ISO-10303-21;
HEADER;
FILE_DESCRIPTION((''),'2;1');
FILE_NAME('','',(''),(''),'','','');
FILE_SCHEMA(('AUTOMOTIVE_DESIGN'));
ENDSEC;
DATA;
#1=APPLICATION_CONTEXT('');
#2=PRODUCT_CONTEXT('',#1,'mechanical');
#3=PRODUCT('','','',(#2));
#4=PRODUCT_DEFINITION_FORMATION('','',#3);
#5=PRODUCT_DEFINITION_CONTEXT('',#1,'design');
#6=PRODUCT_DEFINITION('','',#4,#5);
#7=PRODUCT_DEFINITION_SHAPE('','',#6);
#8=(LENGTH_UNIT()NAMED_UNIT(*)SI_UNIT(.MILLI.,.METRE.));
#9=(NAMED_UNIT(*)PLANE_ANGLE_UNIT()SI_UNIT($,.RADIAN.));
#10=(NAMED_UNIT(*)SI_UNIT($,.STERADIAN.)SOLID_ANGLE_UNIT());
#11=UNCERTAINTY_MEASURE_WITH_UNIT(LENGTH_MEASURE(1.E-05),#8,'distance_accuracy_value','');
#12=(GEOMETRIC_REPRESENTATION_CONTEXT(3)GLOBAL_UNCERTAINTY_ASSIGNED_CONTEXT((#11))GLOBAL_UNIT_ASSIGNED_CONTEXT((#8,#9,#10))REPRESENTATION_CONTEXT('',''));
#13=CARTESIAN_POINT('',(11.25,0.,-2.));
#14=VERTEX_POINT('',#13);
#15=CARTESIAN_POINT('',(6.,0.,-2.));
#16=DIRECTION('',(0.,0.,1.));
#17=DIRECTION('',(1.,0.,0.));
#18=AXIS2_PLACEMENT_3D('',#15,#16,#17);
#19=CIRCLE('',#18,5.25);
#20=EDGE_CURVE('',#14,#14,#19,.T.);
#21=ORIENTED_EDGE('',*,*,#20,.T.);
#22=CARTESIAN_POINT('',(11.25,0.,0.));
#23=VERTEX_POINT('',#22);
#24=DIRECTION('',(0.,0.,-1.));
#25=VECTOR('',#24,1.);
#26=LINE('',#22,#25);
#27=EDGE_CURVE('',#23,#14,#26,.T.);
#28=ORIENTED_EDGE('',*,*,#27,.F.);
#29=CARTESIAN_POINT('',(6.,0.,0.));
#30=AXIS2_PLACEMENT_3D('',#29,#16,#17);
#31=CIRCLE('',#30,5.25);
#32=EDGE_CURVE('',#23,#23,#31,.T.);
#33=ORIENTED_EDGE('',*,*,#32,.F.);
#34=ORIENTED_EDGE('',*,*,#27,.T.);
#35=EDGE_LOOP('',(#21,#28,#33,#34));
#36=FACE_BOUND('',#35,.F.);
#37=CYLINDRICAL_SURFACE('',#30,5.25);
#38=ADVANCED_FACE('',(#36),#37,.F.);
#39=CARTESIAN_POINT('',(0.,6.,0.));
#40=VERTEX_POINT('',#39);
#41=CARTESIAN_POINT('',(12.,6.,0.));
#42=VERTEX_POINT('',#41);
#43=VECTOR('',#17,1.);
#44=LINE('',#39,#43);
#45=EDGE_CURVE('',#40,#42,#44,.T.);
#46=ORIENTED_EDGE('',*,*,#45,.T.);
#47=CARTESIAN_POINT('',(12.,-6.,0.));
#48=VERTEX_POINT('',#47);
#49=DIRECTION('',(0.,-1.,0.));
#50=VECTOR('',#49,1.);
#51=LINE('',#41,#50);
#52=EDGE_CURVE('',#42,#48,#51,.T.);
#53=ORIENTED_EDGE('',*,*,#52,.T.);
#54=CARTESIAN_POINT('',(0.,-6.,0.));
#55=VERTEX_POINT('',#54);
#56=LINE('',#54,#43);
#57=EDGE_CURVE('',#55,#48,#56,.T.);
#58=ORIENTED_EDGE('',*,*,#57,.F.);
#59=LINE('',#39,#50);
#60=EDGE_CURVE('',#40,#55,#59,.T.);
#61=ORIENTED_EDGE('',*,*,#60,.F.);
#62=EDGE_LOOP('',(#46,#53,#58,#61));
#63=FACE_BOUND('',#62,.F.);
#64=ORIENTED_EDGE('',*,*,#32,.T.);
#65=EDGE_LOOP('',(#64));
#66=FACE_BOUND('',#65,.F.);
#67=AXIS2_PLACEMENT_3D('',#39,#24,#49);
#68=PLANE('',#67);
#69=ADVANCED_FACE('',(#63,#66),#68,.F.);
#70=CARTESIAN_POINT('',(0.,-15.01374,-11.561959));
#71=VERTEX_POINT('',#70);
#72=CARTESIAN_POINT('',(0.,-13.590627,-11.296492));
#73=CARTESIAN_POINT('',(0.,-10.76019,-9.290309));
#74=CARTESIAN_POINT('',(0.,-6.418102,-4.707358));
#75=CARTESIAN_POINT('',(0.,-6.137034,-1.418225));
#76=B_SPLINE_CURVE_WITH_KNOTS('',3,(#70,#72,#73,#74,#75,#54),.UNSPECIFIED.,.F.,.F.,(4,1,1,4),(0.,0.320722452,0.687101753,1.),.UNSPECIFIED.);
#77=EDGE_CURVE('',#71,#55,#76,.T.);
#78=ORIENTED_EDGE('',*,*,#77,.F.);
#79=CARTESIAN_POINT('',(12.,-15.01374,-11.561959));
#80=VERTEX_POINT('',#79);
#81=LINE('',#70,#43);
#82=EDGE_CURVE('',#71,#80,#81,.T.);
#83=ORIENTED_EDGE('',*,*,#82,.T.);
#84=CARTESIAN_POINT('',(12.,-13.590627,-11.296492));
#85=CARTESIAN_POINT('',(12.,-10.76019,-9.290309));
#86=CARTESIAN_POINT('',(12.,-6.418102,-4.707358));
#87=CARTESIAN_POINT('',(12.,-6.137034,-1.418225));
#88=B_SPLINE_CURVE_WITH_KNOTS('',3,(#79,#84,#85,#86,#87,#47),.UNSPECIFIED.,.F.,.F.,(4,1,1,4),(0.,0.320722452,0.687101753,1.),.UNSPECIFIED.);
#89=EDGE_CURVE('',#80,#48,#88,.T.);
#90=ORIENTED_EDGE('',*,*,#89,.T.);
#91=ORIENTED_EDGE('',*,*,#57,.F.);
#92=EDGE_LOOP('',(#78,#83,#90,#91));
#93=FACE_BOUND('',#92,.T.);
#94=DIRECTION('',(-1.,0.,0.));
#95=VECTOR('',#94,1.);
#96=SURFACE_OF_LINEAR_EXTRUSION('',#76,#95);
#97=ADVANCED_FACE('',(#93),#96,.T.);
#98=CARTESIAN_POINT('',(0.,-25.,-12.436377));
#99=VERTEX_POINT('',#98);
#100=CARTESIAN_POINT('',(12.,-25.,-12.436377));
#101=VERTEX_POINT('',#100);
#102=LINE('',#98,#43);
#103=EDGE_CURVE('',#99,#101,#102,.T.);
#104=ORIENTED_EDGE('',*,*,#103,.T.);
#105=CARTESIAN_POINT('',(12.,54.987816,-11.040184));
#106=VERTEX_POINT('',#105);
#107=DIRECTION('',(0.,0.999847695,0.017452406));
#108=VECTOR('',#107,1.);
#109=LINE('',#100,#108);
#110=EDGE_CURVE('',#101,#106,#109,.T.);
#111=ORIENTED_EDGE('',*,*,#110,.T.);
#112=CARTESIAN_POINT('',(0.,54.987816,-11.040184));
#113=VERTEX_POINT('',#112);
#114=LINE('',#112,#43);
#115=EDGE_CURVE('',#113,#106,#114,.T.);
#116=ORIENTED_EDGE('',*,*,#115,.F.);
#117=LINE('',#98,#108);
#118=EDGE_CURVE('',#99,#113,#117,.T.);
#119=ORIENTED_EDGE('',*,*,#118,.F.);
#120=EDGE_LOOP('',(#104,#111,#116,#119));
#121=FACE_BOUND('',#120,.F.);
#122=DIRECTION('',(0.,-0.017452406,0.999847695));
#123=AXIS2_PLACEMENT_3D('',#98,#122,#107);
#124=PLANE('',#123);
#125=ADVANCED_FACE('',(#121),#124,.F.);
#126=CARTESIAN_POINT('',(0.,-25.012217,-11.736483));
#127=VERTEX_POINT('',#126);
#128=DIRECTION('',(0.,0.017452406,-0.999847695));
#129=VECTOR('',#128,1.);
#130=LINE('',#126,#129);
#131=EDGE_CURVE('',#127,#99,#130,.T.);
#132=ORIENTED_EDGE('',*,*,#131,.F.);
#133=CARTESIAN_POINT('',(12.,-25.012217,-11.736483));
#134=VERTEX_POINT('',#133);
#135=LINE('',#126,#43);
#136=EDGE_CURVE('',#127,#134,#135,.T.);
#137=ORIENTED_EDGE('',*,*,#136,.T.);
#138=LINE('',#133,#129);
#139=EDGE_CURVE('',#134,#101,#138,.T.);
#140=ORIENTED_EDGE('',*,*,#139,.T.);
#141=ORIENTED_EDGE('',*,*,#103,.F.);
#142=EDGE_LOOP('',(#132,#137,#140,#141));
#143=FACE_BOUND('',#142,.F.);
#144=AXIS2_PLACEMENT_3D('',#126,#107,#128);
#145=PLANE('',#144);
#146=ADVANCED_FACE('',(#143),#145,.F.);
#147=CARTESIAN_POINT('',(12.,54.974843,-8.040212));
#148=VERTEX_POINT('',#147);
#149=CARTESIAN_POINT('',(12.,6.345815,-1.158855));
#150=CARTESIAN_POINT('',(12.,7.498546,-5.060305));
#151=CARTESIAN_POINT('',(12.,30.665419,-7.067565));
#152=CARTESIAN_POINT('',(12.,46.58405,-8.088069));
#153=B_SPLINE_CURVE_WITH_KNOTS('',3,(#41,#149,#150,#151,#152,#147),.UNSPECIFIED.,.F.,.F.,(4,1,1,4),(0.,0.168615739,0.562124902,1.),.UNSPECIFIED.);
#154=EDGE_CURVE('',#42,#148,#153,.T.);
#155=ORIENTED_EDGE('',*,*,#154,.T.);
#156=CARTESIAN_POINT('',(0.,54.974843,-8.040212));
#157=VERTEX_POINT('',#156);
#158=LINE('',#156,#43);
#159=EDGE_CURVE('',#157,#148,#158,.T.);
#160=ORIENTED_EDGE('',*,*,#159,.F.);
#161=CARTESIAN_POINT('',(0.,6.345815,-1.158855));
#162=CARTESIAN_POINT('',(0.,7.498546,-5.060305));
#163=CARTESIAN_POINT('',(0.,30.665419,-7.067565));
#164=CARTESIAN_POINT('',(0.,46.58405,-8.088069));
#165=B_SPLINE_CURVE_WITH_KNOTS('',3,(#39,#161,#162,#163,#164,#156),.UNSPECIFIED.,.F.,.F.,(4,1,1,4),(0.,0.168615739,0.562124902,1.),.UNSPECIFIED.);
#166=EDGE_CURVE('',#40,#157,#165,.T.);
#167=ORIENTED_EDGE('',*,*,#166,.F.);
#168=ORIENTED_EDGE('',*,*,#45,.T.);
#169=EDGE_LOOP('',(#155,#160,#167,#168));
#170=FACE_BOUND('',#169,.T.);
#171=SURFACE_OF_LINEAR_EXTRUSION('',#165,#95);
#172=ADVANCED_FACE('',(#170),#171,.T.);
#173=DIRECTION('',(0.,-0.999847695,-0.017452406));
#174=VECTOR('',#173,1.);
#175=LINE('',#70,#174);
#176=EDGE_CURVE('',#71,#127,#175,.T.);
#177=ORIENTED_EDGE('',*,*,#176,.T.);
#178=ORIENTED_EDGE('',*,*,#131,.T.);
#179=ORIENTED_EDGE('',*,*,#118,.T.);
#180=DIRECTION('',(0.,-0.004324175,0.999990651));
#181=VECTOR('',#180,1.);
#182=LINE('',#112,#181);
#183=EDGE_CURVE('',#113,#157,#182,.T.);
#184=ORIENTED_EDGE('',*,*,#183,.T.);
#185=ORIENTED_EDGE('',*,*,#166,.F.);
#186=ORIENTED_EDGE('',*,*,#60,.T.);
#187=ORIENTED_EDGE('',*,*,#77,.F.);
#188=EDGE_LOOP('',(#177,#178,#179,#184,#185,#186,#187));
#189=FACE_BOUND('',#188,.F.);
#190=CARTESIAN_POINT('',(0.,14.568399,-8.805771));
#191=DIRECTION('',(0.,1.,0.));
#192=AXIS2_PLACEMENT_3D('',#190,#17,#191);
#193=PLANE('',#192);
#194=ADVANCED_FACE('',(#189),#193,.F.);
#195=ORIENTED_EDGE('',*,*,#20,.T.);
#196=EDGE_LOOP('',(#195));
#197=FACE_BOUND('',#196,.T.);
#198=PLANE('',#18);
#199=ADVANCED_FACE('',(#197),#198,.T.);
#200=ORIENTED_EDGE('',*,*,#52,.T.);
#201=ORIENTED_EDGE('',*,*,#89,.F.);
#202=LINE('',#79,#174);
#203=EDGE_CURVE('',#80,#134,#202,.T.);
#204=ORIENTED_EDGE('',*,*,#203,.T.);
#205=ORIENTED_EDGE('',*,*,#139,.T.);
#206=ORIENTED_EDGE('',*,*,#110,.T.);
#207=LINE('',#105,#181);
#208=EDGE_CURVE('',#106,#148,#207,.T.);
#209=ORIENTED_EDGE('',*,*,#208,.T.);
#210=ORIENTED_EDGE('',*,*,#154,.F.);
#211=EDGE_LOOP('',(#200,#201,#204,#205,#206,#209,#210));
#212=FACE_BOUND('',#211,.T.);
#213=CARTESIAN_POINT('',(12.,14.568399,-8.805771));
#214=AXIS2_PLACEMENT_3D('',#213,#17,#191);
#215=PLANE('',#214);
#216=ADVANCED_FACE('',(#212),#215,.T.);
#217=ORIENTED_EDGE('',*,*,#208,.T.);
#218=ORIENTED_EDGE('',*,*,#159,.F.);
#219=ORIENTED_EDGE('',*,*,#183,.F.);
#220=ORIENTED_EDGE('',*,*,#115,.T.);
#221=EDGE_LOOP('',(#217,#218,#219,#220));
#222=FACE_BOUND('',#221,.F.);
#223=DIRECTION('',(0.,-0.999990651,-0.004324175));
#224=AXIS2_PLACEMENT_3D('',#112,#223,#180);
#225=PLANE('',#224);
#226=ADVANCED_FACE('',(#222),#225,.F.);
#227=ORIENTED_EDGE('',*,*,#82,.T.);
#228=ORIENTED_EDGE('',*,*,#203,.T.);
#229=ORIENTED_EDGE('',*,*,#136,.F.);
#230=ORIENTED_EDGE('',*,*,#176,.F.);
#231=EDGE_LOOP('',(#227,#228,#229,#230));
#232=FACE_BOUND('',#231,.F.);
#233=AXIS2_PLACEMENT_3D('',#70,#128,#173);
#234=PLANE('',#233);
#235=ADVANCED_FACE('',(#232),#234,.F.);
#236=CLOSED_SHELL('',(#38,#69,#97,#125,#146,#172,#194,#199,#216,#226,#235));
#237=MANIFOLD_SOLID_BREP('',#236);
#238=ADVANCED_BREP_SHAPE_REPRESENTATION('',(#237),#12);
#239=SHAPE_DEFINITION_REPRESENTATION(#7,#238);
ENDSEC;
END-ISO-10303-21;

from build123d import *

# Parameters (mm, degrees)
F1_DEPTH = 12
F2_R     = 5.25
F3_DEPTH = 2


with BuildPart() as f1:
    # F0 (on Right) → F1 (new body)
    with BuildSketch(Plane.YZ):
        with BuildLine():
            Line((6, 0), (-6, 0))
            add(Edge.make_bspline(
                [(-15.0137397329, -11.5619591722), (-13.5906271424, -11.2964920093), (-10.7601897079, -9.2903086336), (-6.4181021832, -4.7073575718), (-6.1370336878, -1.4182246783), (-6, 0)],
                knots=[0, 0, 0, 0, 0.3207224524, 0.6871017532, 1, 1, 1, 1], degree=3))
            Line((-15.0137397329, -11.5619591722), (-25.0122166845, -11.7364832366))
            Line((-25.0122166845, -11.7364832366), (-25, -12.4363766232))
            Line((-25, -12.4363766232), (54.9878156125, -11.0401841082))
            Line((54.9878156125, -11.0401841082), (54.9748430875, -8.0402121561))
            add(Edge.make_bspline(
                [(6, 0), (6.3458147236, -1.1588554342), (7.4985462399, -5.0603049881), (30.6654186689, -7.0675654114), (46.5840497498, -8.0880688799), (54.9748430875, -8.0402121561)],
                knots=[0, 0, 0, 0, 0.1686157391, 0.5621249017, 1, 1, 1, 1], degree=3))
        make_face()
    extrude(amount=F1_DEPTH)

    # F2 (on face) → F3 (cut)
    with BuildSketch(Plane.XY):
        with Locations((6, 0)):
            Circle(F2_R)
    extrude(amount=-F3_DEPTH, mode=Mode.SUBTRACT)


solid = f1.part
